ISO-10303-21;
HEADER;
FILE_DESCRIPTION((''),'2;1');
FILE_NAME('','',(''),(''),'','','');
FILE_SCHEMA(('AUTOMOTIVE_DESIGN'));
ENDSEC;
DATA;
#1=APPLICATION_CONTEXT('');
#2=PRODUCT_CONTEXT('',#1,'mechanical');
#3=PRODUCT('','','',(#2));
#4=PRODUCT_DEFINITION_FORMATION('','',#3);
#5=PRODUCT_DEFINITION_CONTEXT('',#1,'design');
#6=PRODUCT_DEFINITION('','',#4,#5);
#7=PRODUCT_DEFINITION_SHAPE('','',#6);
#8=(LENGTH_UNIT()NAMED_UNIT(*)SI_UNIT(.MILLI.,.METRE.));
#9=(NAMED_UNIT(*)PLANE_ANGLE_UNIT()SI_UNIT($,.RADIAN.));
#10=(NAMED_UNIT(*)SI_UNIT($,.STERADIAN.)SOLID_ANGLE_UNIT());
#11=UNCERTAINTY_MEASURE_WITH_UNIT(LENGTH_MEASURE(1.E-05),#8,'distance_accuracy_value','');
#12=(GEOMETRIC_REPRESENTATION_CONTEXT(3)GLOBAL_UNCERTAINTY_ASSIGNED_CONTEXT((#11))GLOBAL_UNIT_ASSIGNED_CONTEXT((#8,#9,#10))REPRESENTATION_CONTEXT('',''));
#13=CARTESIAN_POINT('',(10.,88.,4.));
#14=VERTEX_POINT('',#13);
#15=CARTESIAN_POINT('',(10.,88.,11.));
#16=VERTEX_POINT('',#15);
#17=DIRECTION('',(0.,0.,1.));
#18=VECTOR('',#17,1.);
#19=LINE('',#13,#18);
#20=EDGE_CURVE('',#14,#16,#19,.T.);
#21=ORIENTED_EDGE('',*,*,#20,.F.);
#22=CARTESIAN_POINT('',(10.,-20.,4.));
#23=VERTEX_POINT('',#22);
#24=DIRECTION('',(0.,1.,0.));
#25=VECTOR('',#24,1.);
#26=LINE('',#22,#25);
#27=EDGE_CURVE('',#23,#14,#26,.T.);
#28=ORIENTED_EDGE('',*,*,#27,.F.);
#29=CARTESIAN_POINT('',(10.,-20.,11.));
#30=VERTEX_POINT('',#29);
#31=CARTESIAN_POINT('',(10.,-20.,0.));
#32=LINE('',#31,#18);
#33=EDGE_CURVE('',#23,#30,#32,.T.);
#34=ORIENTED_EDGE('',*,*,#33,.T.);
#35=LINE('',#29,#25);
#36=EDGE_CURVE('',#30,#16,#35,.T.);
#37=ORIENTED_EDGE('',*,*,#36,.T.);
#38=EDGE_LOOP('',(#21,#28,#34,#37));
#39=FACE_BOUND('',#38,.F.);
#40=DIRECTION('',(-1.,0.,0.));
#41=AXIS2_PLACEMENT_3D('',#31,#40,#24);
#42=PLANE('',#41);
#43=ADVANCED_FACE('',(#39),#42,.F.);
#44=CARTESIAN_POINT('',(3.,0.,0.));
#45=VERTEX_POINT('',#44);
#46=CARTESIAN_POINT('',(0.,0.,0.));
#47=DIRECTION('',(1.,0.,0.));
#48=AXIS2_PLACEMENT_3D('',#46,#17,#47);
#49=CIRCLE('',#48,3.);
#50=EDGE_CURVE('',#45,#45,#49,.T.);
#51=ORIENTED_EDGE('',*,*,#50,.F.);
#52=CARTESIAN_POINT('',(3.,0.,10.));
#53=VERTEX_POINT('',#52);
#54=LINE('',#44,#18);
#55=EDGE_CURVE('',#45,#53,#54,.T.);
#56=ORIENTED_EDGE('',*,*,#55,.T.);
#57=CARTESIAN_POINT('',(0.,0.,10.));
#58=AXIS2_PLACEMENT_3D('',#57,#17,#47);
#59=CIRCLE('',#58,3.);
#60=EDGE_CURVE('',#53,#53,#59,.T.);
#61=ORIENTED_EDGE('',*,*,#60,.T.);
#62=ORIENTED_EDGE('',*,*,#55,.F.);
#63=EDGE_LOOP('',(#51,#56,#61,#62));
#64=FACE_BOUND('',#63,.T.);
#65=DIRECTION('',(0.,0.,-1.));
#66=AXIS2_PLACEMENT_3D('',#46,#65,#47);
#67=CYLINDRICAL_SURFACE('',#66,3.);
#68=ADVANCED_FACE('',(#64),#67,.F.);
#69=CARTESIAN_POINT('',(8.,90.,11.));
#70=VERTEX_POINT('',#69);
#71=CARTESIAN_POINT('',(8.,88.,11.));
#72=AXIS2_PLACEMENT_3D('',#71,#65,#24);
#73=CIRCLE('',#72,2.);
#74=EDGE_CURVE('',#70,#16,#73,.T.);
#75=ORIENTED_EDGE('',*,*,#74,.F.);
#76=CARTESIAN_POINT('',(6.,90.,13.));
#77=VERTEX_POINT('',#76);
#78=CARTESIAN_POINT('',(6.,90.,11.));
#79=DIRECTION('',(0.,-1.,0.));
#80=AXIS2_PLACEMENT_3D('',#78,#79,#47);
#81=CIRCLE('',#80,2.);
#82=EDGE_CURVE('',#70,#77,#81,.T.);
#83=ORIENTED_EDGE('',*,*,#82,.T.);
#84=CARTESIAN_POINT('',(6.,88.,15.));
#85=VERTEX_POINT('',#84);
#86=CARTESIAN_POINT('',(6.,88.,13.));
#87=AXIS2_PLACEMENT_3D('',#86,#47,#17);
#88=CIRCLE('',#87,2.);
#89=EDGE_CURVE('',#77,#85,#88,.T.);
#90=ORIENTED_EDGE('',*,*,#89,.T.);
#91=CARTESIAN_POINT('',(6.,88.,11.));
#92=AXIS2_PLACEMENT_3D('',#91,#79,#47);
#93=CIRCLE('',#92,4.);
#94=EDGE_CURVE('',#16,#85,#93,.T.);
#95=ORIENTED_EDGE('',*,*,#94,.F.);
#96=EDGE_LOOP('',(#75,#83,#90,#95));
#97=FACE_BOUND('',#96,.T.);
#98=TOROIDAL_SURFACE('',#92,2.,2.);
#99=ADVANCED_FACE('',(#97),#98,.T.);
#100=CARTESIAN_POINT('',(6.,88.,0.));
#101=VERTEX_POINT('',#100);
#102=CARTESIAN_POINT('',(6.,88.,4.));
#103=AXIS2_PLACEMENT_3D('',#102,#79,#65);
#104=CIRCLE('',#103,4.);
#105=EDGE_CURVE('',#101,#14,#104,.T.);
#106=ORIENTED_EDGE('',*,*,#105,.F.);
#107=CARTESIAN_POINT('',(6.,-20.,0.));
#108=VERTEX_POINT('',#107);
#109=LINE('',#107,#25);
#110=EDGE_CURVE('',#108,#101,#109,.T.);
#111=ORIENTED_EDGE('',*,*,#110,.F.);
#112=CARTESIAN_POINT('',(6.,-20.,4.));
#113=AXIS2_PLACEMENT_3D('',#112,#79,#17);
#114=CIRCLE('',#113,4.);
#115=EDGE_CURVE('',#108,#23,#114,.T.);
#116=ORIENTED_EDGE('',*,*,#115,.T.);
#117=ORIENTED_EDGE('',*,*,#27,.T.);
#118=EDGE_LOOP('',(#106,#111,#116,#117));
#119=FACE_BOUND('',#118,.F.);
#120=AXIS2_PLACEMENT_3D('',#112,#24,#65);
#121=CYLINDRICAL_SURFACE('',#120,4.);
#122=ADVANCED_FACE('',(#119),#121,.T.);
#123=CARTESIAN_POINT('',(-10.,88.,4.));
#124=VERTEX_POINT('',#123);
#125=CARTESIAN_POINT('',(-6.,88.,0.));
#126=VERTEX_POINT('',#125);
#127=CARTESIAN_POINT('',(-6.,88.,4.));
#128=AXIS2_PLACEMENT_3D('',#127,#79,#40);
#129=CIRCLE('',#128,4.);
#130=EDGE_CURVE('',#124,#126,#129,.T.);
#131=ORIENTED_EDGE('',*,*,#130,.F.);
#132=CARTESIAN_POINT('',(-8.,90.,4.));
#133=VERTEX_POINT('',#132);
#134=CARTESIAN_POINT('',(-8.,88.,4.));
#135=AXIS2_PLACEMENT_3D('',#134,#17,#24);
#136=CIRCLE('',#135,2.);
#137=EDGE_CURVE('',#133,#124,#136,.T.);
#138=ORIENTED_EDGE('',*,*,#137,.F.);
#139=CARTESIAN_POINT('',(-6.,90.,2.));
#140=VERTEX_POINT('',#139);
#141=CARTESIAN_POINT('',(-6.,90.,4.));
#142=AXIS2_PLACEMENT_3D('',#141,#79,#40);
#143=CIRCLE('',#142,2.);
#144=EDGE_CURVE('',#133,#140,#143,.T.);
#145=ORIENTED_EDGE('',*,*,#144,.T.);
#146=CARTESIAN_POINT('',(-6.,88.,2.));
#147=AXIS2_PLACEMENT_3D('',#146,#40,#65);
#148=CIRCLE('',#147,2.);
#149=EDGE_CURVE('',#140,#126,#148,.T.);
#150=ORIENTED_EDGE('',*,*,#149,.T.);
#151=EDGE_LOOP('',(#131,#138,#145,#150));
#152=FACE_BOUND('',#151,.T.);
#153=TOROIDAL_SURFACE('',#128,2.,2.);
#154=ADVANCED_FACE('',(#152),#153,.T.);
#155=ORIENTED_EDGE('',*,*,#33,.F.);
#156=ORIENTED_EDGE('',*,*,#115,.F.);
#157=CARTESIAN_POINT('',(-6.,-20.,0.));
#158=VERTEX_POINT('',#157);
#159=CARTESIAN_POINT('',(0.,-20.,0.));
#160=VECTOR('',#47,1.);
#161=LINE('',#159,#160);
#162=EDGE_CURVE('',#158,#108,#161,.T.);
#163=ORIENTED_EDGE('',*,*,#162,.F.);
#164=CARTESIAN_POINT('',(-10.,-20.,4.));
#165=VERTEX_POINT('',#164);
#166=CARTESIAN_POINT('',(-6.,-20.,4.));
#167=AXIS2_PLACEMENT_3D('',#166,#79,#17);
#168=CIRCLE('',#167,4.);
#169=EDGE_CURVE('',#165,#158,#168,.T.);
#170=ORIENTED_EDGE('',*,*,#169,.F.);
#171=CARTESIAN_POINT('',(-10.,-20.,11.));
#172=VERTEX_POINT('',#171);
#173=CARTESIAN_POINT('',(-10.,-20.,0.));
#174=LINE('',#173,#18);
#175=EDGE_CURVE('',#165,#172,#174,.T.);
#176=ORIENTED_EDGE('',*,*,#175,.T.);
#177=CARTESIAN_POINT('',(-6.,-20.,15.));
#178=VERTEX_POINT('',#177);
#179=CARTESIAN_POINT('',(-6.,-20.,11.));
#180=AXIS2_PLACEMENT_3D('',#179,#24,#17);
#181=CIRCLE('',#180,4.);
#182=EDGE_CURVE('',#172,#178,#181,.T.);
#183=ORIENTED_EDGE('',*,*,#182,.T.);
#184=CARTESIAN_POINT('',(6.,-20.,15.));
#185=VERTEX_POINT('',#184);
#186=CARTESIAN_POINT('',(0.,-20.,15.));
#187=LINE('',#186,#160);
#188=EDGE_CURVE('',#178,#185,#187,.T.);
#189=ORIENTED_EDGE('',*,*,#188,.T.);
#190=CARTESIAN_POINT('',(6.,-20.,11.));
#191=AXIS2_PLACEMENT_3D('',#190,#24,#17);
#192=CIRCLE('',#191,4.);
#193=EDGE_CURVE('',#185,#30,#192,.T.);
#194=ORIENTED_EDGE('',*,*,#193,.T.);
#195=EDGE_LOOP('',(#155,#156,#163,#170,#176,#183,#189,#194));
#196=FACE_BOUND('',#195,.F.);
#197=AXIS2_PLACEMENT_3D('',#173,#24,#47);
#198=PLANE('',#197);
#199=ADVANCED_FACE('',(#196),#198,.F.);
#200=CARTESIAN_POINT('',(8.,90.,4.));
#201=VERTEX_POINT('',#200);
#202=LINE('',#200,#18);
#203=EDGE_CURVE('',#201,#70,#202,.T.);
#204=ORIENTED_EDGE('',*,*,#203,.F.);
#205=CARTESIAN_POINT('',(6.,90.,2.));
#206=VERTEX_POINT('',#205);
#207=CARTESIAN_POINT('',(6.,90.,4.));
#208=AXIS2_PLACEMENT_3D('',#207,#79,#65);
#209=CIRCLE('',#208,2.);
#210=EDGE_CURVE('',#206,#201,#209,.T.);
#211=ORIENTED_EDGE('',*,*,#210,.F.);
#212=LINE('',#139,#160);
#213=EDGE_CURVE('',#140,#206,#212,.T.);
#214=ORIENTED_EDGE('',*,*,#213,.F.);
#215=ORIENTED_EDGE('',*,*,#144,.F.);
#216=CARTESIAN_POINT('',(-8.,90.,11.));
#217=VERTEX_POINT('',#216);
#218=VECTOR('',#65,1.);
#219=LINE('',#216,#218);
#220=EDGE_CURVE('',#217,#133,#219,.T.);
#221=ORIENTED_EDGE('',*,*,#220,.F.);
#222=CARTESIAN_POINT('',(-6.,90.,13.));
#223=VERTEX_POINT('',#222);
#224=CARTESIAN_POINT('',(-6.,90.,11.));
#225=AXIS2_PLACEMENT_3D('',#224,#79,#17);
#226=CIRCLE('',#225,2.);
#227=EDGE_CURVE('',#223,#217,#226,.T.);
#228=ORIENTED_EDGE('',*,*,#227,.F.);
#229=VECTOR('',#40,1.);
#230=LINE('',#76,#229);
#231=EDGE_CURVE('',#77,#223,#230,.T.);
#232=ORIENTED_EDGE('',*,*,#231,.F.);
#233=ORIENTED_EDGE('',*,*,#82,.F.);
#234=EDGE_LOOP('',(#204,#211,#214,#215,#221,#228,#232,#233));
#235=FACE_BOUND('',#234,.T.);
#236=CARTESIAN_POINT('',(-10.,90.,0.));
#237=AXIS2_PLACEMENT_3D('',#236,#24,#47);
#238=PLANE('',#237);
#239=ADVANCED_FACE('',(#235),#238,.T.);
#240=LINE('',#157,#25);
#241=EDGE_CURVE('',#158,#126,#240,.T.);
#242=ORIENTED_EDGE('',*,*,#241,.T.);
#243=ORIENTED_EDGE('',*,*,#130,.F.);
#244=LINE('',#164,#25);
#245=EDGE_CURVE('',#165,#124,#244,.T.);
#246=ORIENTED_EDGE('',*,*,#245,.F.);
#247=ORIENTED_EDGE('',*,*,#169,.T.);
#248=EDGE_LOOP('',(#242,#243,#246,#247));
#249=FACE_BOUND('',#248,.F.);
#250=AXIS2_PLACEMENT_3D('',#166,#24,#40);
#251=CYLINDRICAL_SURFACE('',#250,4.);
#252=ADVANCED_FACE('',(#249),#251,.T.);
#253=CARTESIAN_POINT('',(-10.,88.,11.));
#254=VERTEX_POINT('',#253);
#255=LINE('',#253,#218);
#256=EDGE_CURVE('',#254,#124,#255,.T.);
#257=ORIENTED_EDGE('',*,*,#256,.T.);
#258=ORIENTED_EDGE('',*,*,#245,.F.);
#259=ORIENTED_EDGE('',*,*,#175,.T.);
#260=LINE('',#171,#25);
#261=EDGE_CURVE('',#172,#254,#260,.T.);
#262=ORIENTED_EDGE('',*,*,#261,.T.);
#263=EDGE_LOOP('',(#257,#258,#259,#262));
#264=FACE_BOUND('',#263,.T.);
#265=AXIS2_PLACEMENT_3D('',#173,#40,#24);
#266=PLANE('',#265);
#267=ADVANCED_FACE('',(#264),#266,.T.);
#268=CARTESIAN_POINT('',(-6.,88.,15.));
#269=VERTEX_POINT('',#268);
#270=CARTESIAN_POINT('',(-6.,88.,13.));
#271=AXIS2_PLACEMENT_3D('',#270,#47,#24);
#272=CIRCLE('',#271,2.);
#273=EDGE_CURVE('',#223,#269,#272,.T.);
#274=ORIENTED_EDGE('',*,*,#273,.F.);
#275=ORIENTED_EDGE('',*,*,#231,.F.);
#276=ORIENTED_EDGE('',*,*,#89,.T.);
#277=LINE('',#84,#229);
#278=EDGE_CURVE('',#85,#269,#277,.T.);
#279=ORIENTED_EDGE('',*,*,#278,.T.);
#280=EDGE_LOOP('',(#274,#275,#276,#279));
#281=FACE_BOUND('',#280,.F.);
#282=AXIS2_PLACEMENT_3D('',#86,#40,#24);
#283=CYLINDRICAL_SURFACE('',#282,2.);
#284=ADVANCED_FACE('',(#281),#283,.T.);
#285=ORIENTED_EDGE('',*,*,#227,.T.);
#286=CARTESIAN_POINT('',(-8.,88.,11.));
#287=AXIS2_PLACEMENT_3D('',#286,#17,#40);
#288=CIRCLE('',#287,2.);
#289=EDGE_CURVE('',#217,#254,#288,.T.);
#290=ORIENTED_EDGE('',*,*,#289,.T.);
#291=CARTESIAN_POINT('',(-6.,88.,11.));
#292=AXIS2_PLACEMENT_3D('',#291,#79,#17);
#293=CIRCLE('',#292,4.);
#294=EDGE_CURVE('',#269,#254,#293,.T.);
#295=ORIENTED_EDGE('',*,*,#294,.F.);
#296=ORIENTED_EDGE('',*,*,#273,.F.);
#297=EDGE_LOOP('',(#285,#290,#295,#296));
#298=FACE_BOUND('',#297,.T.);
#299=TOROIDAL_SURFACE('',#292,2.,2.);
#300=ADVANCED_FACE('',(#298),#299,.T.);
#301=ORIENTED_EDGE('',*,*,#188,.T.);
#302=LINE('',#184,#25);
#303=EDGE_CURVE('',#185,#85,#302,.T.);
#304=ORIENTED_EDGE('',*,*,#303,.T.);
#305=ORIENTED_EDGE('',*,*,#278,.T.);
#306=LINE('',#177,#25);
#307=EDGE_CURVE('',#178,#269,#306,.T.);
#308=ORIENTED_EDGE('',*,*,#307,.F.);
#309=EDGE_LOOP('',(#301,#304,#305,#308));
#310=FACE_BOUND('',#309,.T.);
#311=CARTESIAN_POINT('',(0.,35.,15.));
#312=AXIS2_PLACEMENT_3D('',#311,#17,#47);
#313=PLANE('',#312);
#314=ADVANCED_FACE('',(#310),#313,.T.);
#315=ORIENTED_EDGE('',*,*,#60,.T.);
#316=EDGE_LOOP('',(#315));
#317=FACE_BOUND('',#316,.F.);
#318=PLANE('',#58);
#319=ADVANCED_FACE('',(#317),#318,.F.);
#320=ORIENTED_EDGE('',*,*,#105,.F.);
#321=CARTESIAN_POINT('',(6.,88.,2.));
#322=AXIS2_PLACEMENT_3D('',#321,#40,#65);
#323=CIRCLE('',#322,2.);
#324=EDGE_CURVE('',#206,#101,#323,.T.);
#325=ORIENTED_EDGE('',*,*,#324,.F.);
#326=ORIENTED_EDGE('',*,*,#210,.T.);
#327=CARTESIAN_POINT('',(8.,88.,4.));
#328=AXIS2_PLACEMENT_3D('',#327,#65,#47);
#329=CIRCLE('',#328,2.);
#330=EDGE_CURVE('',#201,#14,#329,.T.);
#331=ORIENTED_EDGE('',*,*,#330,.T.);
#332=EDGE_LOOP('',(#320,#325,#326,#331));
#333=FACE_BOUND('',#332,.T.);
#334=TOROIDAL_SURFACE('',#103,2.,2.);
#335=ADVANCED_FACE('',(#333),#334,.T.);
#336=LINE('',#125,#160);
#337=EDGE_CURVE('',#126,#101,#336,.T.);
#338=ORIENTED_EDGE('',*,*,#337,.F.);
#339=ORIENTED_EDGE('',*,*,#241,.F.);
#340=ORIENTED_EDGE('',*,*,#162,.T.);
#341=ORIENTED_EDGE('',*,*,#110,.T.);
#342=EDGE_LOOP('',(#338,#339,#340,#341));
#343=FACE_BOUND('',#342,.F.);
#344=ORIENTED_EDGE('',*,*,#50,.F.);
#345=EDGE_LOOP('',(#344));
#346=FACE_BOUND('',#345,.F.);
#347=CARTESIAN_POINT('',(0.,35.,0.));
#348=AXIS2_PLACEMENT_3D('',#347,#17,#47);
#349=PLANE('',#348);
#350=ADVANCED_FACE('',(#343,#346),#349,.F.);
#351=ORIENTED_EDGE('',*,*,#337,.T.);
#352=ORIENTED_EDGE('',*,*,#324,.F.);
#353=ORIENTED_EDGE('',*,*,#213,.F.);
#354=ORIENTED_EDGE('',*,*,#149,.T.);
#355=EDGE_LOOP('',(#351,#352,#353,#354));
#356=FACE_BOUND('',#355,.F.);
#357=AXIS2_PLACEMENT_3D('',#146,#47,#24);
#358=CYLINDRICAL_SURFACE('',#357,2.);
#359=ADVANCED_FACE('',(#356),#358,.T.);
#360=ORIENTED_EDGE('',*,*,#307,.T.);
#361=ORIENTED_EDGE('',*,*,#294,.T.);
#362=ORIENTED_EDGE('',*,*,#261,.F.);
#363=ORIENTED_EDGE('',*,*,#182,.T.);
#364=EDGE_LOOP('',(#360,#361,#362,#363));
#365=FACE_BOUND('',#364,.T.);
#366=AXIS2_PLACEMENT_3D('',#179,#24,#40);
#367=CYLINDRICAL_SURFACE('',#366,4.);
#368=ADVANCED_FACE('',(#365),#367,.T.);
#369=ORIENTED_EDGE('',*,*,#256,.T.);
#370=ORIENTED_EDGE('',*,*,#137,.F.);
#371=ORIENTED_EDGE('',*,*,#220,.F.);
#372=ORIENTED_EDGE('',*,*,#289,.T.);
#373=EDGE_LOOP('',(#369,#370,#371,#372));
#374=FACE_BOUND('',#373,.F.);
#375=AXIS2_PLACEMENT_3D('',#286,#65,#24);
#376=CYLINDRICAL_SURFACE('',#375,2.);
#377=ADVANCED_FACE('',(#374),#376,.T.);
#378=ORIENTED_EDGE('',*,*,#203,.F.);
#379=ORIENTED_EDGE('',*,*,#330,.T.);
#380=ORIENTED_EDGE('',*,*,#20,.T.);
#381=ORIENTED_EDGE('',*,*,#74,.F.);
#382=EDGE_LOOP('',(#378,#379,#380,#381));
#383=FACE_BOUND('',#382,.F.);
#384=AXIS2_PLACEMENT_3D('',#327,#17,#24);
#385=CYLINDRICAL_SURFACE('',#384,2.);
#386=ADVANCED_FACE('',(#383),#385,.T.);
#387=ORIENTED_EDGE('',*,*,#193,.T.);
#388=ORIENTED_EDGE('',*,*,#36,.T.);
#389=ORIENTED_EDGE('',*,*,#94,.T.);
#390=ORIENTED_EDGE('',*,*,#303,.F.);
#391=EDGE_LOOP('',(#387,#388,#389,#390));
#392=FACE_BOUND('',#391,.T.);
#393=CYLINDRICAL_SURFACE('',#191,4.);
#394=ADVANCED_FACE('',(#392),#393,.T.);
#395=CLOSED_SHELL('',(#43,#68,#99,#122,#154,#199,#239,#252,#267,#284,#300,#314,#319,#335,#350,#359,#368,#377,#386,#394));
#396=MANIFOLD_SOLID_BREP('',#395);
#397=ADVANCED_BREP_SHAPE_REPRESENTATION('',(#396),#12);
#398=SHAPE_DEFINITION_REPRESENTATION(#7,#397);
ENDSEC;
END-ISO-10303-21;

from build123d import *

# Parameters (mm, degrees)
F0_W     = 20
F0_H     = 110
F1_DEPTH = 15
F2_R     = 3
F3_DEPTH = 10
F4_R     = 4
F5_R     = 2


with BuildPart() as f1:
    # F0 (on Top) → F1 (new body)
    with BuildSketch(Plane.XY):
        with Locations((0, 35)):
            Rectangle(F0_W, F0_H)
    extrude(amount=F1_DEPTH)

    # F2 (on Top) → F3 (cut)
    with BuildSketch(Plane.XY):
        Circle(F2_R)
    extrude(amount=F3_DEPTH, mode=Mode.SUBTRACT)

    # F4
    f4_edges = [f1.edges().sort_by_distance(p)[0] for p in [
        (10, 35, 15),
        (-10, 35, 15),
        (10, 35, 0),
        (-10, 35, 0),
    ]]
    fillet(f4_edges, radius=F4_R)

    # F5
    f5_edges = [f1.edges().sort_by_distance(p)[0] for p in [
        (8.828427, 90, 1.171573),
    ]]
    fillet(f5_edges, radius=F5_R)


solid = f1.part
